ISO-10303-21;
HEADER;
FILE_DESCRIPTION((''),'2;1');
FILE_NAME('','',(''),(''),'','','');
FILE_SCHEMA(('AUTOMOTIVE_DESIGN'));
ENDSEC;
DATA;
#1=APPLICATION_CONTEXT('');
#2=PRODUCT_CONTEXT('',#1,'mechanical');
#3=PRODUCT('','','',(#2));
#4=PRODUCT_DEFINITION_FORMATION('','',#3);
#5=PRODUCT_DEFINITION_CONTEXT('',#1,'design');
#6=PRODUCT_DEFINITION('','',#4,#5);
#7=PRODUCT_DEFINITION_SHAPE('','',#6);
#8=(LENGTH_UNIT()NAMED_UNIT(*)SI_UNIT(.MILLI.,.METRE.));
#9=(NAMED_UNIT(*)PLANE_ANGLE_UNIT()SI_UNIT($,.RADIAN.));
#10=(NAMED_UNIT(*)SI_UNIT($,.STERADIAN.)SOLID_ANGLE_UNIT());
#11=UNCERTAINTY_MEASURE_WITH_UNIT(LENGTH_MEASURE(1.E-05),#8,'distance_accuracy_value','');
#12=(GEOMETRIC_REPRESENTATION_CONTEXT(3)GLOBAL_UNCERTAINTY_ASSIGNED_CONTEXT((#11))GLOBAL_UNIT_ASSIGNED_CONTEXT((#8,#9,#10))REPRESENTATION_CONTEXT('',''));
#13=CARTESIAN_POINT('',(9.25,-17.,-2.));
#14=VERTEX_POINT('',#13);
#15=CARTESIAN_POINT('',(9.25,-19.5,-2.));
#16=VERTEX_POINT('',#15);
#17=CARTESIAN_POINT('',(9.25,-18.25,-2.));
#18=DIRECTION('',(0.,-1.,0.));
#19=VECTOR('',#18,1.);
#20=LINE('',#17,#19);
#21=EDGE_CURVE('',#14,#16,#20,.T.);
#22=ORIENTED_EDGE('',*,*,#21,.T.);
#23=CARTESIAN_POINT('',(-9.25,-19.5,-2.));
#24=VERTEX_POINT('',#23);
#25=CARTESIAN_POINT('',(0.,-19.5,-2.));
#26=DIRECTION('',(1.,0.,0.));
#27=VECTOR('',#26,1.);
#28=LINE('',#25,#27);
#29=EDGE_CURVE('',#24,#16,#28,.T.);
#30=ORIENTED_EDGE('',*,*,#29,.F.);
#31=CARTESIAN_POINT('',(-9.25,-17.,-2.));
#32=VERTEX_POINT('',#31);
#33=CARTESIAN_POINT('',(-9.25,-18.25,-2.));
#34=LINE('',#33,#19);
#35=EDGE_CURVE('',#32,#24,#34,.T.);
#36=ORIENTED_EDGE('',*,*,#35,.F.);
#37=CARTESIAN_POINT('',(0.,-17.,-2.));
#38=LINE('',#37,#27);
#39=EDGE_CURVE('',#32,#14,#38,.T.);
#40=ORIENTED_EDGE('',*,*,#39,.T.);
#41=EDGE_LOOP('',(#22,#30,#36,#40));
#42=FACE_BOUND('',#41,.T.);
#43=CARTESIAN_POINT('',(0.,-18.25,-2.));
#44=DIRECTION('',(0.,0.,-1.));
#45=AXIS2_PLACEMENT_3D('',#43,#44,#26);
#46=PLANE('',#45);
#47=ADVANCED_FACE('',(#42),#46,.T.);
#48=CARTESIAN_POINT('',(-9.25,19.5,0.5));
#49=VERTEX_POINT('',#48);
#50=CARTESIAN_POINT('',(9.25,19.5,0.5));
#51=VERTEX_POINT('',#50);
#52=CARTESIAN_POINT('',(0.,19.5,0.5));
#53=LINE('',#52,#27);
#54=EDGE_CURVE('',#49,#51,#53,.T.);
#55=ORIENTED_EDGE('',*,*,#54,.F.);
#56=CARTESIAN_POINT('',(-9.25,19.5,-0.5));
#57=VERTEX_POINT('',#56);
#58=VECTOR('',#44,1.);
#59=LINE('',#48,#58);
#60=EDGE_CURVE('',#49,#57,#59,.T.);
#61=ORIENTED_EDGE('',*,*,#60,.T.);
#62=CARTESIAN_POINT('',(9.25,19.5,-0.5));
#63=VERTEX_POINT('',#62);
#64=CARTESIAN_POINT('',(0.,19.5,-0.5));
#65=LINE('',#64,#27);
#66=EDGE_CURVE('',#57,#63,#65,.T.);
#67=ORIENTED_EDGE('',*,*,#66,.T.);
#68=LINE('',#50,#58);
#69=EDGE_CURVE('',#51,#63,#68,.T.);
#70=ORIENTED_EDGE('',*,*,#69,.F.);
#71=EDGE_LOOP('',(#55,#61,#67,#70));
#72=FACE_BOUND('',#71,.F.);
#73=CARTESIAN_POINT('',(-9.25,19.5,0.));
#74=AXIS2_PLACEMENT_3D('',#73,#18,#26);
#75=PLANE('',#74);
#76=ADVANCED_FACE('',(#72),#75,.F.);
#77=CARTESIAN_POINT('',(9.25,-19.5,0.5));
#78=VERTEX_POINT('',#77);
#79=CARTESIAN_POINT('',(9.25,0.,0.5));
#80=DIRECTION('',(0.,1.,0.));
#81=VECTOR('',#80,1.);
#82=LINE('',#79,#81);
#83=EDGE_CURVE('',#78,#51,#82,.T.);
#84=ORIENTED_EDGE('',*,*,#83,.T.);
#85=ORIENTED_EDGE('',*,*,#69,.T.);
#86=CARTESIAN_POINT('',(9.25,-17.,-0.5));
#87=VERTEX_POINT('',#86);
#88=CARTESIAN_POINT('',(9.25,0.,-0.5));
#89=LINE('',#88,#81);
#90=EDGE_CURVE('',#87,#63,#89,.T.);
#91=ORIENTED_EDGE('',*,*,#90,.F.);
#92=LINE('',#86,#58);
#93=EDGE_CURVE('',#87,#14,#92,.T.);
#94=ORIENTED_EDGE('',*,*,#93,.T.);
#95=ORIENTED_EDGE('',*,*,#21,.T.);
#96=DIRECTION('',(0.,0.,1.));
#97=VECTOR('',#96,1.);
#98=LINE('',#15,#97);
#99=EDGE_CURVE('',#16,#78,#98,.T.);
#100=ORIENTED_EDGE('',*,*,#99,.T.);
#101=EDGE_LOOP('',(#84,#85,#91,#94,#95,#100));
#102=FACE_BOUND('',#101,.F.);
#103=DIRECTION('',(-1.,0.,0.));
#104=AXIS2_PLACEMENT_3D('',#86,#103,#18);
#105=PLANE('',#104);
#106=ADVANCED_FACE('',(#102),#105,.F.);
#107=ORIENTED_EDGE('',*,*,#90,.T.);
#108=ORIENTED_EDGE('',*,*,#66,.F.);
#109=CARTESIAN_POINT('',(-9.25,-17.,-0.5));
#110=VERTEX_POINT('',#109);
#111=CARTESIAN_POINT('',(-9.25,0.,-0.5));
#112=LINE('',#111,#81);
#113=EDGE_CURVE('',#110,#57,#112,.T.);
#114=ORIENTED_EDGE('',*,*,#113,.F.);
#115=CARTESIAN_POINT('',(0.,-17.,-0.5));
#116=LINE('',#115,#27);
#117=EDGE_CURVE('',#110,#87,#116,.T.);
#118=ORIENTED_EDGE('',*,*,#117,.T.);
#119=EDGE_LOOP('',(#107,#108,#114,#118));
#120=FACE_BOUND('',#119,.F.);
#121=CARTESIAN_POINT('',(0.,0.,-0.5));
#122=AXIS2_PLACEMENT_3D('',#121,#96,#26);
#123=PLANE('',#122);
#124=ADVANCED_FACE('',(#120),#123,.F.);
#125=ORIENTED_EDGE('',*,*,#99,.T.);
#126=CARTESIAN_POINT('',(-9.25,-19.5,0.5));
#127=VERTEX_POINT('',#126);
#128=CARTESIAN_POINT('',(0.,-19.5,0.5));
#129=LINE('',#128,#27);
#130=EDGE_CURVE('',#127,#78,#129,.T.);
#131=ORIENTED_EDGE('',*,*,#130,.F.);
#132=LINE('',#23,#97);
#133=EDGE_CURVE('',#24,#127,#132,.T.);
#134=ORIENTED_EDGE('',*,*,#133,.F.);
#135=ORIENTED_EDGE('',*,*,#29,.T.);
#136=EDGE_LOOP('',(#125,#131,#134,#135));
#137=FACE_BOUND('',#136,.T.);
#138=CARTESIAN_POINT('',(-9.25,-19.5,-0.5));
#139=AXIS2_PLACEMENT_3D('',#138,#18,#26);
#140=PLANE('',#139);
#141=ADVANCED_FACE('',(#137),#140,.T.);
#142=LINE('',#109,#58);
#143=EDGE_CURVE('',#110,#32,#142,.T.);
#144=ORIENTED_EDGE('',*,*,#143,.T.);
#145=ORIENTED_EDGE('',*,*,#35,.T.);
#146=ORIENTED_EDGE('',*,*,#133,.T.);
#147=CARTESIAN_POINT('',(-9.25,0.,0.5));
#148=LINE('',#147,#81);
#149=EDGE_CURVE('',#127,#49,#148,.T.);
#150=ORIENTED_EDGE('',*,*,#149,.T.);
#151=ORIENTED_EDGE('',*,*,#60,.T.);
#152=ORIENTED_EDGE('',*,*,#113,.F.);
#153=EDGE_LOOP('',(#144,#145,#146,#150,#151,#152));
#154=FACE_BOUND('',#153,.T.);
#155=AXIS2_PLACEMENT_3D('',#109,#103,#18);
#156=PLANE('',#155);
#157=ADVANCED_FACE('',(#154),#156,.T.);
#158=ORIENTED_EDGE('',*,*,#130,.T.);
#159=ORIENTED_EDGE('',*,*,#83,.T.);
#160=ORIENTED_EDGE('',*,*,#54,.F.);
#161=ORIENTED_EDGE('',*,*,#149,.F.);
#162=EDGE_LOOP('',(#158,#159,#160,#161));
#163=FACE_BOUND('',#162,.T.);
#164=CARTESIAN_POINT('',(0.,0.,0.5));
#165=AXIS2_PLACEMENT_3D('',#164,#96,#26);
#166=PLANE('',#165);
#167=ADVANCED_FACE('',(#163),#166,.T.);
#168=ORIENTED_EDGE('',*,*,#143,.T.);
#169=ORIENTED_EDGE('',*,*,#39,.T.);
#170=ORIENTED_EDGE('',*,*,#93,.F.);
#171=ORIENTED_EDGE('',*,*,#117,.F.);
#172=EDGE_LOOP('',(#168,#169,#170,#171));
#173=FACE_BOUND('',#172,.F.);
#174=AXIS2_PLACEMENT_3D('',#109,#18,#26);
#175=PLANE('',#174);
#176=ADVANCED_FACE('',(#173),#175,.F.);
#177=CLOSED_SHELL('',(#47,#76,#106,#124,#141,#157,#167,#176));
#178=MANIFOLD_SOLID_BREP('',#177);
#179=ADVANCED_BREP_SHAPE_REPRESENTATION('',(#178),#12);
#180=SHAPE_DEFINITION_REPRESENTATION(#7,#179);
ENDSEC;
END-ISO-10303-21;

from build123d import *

# Parameters (mm, degrees)
F0_W     = 18.5
F0_H     = 39
F1_DEPTH = 0.5
F2_W     = 18.5
F2_H     = 2.5
F3_DEPTH = 1.5


with BuildPart() as f1:
    # F0 (on Top) → F1 (new body, symmetric)
    with BuildSketch(Plane.XY):
        Rectangle(F0_W, F0_H)
    extrude(amount=F1_DEPTH, both=True)

    # F2 (on face) → F3 (join)
    with BuildSketch(Plane(origin=(0, 0, -0.5), x_dir=(1, 0, 0), z_dir=(0, 0, -1))):
        with Locations((0, 18.25)):
            Rectangle(F2_W, F2_H)
    extrude(amount=F3_DEPTH)


solid = f1.part
